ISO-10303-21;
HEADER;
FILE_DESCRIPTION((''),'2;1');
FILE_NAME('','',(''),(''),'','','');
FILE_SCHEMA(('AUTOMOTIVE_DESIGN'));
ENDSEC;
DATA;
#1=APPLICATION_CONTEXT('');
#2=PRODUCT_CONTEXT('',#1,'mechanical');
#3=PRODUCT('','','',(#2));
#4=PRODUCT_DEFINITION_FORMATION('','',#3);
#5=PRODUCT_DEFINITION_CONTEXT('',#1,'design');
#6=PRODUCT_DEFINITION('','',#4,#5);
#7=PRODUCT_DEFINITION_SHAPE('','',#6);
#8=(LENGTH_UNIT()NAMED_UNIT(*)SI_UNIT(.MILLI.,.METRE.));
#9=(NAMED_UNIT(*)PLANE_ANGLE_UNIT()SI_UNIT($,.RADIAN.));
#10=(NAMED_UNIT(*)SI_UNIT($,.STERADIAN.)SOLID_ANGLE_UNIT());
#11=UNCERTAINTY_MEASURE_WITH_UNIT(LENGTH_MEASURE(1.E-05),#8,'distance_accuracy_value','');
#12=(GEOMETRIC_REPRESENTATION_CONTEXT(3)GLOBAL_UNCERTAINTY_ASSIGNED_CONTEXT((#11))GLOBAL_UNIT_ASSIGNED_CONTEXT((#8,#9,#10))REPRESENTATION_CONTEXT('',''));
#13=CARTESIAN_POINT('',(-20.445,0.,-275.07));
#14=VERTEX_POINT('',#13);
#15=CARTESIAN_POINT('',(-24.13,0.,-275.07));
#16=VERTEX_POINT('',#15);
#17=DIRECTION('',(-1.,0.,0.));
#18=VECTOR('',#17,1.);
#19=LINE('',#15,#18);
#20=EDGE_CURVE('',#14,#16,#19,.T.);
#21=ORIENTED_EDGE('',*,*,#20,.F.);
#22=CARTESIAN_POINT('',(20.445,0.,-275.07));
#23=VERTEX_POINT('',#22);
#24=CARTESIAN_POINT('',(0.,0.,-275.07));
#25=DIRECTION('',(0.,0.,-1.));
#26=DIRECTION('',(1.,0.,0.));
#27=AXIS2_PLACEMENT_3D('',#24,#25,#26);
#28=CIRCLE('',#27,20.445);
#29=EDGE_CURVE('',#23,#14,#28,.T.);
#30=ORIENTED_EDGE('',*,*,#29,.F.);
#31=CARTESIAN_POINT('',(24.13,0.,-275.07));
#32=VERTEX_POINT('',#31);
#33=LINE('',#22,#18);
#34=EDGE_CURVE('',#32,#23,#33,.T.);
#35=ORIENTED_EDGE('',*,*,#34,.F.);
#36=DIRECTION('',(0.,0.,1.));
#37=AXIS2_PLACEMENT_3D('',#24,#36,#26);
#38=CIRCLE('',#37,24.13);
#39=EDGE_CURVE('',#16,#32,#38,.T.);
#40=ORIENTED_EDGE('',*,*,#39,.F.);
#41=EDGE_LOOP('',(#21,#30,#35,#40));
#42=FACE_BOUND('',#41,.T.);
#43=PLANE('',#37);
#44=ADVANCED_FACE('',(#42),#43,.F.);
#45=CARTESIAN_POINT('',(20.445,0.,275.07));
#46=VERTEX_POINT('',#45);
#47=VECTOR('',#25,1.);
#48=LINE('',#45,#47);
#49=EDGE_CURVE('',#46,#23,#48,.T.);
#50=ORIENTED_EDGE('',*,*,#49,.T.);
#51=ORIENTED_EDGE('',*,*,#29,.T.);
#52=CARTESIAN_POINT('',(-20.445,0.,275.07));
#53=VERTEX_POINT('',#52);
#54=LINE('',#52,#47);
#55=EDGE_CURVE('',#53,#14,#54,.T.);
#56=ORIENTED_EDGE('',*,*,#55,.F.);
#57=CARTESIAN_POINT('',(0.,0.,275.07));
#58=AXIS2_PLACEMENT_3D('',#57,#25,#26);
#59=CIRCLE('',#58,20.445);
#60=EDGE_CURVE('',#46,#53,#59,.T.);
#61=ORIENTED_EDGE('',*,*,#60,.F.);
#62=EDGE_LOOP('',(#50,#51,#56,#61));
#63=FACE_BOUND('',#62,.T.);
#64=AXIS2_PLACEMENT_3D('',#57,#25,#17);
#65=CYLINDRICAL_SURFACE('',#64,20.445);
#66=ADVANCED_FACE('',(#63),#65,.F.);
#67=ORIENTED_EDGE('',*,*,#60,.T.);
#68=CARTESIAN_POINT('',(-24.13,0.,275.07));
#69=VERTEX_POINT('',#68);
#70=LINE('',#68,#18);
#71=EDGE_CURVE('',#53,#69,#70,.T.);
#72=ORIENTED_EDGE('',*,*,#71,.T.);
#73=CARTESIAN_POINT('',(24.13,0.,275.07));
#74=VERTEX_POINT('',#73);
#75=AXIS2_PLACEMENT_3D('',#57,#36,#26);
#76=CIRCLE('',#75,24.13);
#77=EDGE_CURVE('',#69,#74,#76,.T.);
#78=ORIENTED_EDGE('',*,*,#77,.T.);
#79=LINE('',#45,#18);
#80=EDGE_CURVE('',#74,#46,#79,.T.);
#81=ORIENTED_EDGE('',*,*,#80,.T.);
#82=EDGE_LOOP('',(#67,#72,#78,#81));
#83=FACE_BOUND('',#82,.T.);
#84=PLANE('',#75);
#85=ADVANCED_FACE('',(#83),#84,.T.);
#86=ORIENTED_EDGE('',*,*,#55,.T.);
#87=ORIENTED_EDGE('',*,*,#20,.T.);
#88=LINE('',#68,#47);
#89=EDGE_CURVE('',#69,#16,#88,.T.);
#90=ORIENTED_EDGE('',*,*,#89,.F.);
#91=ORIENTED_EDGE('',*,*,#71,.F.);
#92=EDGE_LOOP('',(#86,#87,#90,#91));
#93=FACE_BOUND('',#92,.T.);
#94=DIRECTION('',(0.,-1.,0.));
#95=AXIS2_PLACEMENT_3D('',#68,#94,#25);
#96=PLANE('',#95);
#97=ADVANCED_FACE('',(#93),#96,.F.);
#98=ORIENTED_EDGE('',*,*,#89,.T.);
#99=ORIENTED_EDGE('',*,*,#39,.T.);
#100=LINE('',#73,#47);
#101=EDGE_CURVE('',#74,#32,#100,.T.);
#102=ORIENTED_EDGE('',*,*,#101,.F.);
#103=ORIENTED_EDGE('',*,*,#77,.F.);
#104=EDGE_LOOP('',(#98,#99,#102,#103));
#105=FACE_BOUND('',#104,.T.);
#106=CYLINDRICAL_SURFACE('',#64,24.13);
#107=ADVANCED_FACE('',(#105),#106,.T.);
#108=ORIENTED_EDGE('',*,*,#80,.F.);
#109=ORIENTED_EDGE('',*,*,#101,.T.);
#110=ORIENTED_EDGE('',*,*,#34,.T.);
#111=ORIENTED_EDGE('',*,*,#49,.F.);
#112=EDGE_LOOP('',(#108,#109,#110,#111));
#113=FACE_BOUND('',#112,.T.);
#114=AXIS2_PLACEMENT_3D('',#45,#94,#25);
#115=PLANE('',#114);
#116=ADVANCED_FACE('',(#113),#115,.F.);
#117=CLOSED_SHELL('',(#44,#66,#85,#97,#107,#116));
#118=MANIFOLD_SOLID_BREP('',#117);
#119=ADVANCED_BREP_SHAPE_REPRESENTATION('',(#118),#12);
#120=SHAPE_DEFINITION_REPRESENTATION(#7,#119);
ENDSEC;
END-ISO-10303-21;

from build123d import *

# Parameters (mm, degrees)
BOSS_EXTRUDE1_DEPTH = 275.07


with BuildPart() as part:
    # Sketch1 → Boss-Extrude1 (new, symmetric)
    with BuildSketch(Plane.XY):
        with BuildLine():
            Line((-24.13, 0), (-20.445, 0))
            ThreePointArc((-20.445, 0), (0, -20.445), (20.445, 0))
            Line((20.445, 0), (24.13, 0))
            ThreePointArc((24.13, 0), (0, -24.13), (-24.13, 0))
        make_face()
    extrude(amount=BOSS_EXTRUDE1_DEPTH, both=True)


solid = part.part
